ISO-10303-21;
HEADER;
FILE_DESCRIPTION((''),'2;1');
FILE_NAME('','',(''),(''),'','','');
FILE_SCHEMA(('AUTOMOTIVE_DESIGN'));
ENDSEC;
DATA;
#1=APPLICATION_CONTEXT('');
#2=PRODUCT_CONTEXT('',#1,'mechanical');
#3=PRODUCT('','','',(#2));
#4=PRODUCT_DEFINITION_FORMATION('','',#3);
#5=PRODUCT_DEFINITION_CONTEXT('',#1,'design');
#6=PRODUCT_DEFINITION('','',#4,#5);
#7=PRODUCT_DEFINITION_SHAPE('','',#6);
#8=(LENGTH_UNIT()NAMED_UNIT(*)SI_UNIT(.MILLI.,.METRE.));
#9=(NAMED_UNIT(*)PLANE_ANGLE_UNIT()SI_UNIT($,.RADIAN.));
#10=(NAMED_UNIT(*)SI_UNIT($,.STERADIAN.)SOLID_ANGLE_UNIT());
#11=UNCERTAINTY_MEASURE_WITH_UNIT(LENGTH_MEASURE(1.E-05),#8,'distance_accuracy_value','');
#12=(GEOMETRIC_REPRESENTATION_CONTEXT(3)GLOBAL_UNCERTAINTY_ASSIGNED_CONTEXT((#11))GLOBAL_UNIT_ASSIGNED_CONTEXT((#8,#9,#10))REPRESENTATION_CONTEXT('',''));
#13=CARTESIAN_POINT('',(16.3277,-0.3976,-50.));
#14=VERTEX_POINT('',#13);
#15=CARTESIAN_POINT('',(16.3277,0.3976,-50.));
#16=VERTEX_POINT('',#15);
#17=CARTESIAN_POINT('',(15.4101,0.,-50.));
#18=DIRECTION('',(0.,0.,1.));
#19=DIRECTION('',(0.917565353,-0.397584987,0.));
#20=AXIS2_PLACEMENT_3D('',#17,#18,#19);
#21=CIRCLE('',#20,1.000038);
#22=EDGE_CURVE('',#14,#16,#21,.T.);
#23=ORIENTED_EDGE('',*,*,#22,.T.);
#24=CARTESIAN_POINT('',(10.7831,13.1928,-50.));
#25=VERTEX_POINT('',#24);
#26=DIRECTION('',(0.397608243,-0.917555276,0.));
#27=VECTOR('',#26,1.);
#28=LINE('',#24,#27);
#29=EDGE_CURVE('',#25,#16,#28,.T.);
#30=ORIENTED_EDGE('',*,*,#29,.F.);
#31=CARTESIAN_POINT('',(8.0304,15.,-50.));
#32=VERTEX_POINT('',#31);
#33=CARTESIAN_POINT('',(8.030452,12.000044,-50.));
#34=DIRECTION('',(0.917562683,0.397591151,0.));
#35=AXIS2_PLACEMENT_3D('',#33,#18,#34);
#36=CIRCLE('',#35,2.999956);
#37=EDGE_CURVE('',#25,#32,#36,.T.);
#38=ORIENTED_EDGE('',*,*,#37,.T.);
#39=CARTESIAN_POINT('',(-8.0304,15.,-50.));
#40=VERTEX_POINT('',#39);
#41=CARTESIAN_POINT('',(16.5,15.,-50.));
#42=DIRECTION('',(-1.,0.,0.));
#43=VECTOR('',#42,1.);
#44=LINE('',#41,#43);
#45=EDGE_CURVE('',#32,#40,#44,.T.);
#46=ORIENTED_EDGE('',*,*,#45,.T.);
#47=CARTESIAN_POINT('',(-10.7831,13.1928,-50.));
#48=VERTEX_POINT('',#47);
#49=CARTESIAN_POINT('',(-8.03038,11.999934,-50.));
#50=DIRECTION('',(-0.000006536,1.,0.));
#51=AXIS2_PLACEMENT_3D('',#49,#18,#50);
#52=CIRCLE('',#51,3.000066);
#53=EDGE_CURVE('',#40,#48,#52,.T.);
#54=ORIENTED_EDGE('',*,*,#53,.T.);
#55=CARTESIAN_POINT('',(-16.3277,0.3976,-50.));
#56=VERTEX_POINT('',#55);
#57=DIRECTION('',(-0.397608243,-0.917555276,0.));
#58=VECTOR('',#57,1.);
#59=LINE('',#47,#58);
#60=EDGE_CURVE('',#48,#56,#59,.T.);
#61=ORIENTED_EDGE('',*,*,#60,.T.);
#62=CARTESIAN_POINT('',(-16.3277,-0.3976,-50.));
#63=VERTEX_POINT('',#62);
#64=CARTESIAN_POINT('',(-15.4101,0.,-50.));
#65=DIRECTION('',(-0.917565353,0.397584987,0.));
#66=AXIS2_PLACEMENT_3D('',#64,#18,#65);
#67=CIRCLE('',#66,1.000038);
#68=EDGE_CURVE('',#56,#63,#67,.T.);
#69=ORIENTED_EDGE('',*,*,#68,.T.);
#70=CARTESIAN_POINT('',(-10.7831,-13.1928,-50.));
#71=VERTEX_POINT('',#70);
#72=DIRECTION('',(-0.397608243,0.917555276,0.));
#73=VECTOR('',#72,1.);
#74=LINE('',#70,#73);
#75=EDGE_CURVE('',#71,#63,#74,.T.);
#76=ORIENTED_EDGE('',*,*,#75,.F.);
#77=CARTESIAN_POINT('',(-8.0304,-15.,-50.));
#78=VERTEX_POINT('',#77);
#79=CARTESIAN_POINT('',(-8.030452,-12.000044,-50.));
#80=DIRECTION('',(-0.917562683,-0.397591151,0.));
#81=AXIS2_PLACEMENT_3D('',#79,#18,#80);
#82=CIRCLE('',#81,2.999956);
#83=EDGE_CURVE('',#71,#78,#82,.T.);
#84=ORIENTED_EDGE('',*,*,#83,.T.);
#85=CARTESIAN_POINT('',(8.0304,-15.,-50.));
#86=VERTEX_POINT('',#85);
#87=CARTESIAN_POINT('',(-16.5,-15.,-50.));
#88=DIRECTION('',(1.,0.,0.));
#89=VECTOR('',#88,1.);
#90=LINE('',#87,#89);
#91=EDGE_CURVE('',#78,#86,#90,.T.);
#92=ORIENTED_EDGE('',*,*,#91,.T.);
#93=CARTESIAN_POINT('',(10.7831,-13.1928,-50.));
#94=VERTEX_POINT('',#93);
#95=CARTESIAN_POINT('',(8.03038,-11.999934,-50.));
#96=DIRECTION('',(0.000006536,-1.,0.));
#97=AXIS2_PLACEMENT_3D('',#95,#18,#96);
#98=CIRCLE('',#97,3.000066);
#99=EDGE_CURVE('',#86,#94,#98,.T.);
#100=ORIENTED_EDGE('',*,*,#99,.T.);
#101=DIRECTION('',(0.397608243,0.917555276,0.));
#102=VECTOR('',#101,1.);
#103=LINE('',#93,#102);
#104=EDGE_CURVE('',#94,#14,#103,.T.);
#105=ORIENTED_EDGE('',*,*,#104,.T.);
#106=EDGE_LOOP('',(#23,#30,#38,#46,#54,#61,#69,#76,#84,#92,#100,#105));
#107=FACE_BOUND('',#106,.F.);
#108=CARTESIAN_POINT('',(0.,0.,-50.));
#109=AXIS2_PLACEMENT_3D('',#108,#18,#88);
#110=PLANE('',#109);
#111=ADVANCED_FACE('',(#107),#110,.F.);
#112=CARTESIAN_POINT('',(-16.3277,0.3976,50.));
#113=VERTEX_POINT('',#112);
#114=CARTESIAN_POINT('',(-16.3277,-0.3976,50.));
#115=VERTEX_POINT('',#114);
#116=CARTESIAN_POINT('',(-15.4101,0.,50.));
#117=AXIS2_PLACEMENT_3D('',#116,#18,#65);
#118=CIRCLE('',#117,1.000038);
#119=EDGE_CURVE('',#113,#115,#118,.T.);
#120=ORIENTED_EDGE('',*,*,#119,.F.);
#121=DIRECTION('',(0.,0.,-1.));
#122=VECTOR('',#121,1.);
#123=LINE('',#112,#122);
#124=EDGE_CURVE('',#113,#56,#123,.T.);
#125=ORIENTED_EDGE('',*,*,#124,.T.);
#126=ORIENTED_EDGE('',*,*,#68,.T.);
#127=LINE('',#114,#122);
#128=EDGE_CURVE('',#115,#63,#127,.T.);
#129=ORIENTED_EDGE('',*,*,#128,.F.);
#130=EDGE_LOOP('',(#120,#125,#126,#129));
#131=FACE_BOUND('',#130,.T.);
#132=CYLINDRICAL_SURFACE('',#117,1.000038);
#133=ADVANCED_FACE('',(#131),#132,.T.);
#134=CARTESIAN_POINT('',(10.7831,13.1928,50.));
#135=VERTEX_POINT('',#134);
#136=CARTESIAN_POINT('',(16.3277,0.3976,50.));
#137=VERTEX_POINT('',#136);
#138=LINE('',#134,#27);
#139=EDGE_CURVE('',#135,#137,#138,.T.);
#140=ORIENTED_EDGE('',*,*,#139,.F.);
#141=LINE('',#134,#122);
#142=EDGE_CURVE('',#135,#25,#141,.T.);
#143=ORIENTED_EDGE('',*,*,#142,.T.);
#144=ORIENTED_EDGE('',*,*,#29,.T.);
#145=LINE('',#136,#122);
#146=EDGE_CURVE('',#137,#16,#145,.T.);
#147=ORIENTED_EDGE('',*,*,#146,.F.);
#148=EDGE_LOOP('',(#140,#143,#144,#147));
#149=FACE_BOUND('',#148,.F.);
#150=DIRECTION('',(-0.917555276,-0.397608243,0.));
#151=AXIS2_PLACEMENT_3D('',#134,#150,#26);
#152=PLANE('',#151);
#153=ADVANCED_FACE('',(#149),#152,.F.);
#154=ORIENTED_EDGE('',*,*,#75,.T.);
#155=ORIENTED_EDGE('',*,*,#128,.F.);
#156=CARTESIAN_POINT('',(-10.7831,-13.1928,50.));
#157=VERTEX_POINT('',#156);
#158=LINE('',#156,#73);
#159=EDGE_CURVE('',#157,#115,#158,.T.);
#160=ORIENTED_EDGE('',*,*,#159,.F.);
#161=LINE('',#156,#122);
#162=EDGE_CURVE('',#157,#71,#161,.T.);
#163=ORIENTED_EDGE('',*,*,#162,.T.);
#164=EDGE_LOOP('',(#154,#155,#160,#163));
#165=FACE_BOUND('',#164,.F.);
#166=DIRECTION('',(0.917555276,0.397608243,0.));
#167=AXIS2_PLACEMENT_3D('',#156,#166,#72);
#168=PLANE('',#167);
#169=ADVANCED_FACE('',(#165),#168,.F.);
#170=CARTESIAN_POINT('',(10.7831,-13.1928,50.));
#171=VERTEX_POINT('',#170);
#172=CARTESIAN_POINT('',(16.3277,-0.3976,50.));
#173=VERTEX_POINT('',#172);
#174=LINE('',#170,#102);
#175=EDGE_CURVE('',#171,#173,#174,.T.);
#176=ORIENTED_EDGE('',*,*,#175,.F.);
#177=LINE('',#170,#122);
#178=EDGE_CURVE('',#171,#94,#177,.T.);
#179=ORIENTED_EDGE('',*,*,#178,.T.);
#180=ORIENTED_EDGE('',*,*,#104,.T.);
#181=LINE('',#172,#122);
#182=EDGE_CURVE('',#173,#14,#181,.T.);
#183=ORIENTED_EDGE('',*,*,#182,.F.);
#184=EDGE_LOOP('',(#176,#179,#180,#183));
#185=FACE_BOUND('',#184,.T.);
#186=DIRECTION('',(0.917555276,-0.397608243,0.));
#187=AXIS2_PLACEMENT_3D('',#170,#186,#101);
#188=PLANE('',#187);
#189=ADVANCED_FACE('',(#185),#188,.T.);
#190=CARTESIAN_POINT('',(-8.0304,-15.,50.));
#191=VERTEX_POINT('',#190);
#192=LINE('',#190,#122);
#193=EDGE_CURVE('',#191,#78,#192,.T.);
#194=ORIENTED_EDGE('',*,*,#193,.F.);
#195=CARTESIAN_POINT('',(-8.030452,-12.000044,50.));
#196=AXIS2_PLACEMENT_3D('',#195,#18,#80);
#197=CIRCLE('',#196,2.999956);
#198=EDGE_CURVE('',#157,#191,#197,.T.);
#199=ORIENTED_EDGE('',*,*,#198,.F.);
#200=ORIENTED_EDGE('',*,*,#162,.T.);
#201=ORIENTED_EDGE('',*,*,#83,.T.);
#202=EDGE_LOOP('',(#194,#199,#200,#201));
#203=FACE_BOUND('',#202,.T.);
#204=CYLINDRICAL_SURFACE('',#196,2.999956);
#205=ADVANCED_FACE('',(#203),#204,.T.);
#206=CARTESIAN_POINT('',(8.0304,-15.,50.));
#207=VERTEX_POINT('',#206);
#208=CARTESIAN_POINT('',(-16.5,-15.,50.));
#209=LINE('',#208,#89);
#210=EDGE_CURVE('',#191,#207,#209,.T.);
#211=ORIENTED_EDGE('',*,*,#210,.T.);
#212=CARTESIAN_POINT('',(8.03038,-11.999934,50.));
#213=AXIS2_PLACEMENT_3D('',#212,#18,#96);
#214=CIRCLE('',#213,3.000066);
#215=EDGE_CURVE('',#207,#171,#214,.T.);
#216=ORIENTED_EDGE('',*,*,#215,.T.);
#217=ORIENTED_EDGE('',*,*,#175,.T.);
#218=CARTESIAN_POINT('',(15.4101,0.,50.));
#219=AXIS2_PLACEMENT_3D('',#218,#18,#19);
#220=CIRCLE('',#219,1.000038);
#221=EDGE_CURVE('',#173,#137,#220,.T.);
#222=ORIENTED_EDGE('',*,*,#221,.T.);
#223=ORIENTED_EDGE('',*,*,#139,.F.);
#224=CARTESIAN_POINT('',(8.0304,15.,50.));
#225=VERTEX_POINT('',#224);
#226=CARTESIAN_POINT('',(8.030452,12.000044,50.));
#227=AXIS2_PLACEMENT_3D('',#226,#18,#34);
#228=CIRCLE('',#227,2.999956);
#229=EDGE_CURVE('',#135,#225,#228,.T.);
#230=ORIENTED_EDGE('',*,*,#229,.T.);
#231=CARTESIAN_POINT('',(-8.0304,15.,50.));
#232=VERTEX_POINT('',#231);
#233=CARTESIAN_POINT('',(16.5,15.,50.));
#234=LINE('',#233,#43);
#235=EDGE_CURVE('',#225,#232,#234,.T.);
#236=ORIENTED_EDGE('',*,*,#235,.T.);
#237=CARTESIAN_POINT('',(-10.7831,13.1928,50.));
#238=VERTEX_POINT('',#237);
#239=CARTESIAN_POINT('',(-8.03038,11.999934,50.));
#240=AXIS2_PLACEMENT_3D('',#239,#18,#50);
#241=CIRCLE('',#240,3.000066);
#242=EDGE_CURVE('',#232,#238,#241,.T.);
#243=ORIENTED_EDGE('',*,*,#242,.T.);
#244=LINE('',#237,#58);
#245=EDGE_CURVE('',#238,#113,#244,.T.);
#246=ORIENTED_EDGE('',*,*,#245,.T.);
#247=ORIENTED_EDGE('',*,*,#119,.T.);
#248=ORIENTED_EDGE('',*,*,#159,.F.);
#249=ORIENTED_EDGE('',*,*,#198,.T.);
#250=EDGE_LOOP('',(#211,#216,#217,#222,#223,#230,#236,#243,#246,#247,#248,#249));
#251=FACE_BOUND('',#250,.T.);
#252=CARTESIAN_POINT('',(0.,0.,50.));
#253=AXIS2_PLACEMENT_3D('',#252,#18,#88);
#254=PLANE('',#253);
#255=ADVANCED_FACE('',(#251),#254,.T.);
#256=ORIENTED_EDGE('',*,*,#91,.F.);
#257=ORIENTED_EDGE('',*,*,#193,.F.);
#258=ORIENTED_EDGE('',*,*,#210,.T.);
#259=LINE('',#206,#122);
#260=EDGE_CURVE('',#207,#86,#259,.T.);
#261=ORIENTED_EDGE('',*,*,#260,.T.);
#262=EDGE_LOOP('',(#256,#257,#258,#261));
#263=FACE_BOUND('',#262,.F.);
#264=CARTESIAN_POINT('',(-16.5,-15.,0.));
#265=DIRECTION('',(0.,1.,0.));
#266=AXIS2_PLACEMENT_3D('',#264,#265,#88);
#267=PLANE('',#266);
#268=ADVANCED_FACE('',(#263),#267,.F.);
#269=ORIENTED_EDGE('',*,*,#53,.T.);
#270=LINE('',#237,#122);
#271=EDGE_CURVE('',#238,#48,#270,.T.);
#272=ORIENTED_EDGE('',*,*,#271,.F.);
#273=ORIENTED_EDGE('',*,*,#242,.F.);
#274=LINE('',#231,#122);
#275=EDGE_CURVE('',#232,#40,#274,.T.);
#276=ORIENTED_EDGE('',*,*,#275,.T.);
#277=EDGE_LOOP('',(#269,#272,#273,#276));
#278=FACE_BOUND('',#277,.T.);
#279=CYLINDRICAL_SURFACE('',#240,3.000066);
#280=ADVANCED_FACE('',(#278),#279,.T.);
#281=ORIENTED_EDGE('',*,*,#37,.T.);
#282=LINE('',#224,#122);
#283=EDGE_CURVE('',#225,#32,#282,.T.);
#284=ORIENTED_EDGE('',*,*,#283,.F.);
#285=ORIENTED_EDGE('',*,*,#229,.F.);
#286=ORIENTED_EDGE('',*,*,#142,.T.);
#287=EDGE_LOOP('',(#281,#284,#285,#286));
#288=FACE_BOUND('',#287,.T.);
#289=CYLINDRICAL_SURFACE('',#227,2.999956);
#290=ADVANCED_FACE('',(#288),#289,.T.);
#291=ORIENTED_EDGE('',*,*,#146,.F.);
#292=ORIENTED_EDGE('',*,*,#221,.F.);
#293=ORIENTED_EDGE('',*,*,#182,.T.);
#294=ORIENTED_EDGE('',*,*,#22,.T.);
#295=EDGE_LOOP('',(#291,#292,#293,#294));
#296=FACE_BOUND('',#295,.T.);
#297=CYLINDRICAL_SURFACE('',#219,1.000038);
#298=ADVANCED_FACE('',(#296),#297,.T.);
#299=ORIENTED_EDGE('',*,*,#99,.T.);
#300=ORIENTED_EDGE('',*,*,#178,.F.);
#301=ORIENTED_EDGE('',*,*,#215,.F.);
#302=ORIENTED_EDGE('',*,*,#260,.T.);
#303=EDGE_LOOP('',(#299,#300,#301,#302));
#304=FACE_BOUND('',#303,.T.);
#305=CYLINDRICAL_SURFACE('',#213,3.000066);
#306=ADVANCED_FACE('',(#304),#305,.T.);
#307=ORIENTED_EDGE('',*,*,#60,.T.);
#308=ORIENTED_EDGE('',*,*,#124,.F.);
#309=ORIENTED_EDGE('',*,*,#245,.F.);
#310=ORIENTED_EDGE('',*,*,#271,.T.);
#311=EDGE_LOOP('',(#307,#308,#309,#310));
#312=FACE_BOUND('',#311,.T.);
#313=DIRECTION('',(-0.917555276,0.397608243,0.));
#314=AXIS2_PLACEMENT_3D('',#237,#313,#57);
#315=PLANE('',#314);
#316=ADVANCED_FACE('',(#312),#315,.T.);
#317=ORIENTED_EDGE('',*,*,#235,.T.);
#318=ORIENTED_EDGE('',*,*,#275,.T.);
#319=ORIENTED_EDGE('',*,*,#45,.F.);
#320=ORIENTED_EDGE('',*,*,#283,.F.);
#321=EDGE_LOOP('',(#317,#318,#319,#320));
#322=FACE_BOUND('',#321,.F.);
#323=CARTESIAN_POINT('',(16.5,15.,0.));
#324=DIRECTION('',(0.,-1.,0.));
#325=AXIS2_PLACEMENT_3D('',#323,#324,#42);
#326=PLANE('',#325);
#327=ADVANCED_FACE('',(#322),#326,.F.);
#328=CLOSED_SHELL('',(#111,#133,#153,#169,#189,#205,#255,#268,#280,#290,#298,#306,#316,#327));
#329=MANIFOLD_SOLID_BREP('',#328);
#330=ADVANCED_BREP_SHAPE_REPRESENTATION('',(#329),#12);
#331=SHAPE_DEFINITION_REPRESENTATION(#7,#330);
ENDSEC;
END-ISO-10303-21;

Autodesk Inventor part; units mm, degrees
ref_plane "YZ Plane" through (0, 0, 0) normal (1, 0, 0) x (0, 1, 0)
ref_plane "XZ Plane" through (0, 0, 0) normal (0, 1, 0) x (-1, 0, 0)
ref_plane "XY Plane" through (0, 0, 0) normal (0, 0, 1) x (1, 0, 0)
sketch "Sketch1" plane through (0, 0, 0) normal (0, 0, 1) x (1, 0, 0)
  line L0 (-16.5, -15) -> (16.5, -15)
  line L1 (16.5, -15) -> (16.5, 15)
  line L2 (16.5, 15) -> (-16.5, 15)
  line L3 (-16.5, 15) -> (-16.5, -15)
  line L4 (-16.5, -15) -> (16.5, 15) construction
  line L5 (16.5, -15) -> (-16.5, 15) construction
  point P0 (0, 0)
  dimension "d0" = 33
  dimension "d1" = 30
extrude "Extrusion1" add sketch "Sketch1" along normal mid plane 100
sketch "Sketch2" plane through (0, 0, 50) normal (0, 0, 1) x (1, 0, 0)
  line L0 (10.7831, 13.1928) -> (16.3277, 0.3976)
  arc A0 (10.7831, 13.1928) -> (8.0304, 15) centre (8.0304, 12) ccw
  line L1 (8.0304, 15) -> (16.5, 15)
  line L2 (16.5, 15) -> (16.5, 0)
  line L3 (-10.7831, 13.1928) -> (-16.3277, 0.3976)
  arc A1 (-8.0304, 15) -> (-10.7831, 13.1928) centre (-8.0304, 12) ccw
  line L4 (-8.0304, 15) -> (-16.5, 15)
  line L5 (-16.5, 15) -> (-16.5, 0)
  line L6 (10.7831, -13.1928) -> (16.3277, -0.3976)
  arc A2 (8.0304, -15) -> (10.7831, -13.1928) centre (8.0304, -12) ccw
  line L7 (8.0304, -15) -> (16.5, -15)
  line L8 (16.5, -15) -> (16.5, 0)
  line L9 (-10.7831, -13.1928) -> (-16.3277, -0.3976)
  arc A3 (-10.7831, -13.1928) -> (-8.0304, -15) centre (-8.0304, -12) ccw
  line L10 (-8.0304, -15) -> (-16.5, -15)
  line L11 (-16.5, -15) -> (-16.5, 0)
  arc A4 (-16.3277, 0.3976) -> (-16.3277, -0.3976) centre (-15.4101, 0) ccw
  arc A5 (16.3277, -0.3976) -> (16.3277, 0.3976) centre (15.4101, 0) ccw
  point P0 (0, 0)
  point P1 (10, 15)
  point P2 (-10, 15)
  point P3 (10, -15)
  point P4 (-10, -15)
  dimension "d10" = 3
  dimension "d11" = 1
extrude "Extrusion2" cut sketch "Sketch2" against normal blind 100
properties part number "Powerbank"
